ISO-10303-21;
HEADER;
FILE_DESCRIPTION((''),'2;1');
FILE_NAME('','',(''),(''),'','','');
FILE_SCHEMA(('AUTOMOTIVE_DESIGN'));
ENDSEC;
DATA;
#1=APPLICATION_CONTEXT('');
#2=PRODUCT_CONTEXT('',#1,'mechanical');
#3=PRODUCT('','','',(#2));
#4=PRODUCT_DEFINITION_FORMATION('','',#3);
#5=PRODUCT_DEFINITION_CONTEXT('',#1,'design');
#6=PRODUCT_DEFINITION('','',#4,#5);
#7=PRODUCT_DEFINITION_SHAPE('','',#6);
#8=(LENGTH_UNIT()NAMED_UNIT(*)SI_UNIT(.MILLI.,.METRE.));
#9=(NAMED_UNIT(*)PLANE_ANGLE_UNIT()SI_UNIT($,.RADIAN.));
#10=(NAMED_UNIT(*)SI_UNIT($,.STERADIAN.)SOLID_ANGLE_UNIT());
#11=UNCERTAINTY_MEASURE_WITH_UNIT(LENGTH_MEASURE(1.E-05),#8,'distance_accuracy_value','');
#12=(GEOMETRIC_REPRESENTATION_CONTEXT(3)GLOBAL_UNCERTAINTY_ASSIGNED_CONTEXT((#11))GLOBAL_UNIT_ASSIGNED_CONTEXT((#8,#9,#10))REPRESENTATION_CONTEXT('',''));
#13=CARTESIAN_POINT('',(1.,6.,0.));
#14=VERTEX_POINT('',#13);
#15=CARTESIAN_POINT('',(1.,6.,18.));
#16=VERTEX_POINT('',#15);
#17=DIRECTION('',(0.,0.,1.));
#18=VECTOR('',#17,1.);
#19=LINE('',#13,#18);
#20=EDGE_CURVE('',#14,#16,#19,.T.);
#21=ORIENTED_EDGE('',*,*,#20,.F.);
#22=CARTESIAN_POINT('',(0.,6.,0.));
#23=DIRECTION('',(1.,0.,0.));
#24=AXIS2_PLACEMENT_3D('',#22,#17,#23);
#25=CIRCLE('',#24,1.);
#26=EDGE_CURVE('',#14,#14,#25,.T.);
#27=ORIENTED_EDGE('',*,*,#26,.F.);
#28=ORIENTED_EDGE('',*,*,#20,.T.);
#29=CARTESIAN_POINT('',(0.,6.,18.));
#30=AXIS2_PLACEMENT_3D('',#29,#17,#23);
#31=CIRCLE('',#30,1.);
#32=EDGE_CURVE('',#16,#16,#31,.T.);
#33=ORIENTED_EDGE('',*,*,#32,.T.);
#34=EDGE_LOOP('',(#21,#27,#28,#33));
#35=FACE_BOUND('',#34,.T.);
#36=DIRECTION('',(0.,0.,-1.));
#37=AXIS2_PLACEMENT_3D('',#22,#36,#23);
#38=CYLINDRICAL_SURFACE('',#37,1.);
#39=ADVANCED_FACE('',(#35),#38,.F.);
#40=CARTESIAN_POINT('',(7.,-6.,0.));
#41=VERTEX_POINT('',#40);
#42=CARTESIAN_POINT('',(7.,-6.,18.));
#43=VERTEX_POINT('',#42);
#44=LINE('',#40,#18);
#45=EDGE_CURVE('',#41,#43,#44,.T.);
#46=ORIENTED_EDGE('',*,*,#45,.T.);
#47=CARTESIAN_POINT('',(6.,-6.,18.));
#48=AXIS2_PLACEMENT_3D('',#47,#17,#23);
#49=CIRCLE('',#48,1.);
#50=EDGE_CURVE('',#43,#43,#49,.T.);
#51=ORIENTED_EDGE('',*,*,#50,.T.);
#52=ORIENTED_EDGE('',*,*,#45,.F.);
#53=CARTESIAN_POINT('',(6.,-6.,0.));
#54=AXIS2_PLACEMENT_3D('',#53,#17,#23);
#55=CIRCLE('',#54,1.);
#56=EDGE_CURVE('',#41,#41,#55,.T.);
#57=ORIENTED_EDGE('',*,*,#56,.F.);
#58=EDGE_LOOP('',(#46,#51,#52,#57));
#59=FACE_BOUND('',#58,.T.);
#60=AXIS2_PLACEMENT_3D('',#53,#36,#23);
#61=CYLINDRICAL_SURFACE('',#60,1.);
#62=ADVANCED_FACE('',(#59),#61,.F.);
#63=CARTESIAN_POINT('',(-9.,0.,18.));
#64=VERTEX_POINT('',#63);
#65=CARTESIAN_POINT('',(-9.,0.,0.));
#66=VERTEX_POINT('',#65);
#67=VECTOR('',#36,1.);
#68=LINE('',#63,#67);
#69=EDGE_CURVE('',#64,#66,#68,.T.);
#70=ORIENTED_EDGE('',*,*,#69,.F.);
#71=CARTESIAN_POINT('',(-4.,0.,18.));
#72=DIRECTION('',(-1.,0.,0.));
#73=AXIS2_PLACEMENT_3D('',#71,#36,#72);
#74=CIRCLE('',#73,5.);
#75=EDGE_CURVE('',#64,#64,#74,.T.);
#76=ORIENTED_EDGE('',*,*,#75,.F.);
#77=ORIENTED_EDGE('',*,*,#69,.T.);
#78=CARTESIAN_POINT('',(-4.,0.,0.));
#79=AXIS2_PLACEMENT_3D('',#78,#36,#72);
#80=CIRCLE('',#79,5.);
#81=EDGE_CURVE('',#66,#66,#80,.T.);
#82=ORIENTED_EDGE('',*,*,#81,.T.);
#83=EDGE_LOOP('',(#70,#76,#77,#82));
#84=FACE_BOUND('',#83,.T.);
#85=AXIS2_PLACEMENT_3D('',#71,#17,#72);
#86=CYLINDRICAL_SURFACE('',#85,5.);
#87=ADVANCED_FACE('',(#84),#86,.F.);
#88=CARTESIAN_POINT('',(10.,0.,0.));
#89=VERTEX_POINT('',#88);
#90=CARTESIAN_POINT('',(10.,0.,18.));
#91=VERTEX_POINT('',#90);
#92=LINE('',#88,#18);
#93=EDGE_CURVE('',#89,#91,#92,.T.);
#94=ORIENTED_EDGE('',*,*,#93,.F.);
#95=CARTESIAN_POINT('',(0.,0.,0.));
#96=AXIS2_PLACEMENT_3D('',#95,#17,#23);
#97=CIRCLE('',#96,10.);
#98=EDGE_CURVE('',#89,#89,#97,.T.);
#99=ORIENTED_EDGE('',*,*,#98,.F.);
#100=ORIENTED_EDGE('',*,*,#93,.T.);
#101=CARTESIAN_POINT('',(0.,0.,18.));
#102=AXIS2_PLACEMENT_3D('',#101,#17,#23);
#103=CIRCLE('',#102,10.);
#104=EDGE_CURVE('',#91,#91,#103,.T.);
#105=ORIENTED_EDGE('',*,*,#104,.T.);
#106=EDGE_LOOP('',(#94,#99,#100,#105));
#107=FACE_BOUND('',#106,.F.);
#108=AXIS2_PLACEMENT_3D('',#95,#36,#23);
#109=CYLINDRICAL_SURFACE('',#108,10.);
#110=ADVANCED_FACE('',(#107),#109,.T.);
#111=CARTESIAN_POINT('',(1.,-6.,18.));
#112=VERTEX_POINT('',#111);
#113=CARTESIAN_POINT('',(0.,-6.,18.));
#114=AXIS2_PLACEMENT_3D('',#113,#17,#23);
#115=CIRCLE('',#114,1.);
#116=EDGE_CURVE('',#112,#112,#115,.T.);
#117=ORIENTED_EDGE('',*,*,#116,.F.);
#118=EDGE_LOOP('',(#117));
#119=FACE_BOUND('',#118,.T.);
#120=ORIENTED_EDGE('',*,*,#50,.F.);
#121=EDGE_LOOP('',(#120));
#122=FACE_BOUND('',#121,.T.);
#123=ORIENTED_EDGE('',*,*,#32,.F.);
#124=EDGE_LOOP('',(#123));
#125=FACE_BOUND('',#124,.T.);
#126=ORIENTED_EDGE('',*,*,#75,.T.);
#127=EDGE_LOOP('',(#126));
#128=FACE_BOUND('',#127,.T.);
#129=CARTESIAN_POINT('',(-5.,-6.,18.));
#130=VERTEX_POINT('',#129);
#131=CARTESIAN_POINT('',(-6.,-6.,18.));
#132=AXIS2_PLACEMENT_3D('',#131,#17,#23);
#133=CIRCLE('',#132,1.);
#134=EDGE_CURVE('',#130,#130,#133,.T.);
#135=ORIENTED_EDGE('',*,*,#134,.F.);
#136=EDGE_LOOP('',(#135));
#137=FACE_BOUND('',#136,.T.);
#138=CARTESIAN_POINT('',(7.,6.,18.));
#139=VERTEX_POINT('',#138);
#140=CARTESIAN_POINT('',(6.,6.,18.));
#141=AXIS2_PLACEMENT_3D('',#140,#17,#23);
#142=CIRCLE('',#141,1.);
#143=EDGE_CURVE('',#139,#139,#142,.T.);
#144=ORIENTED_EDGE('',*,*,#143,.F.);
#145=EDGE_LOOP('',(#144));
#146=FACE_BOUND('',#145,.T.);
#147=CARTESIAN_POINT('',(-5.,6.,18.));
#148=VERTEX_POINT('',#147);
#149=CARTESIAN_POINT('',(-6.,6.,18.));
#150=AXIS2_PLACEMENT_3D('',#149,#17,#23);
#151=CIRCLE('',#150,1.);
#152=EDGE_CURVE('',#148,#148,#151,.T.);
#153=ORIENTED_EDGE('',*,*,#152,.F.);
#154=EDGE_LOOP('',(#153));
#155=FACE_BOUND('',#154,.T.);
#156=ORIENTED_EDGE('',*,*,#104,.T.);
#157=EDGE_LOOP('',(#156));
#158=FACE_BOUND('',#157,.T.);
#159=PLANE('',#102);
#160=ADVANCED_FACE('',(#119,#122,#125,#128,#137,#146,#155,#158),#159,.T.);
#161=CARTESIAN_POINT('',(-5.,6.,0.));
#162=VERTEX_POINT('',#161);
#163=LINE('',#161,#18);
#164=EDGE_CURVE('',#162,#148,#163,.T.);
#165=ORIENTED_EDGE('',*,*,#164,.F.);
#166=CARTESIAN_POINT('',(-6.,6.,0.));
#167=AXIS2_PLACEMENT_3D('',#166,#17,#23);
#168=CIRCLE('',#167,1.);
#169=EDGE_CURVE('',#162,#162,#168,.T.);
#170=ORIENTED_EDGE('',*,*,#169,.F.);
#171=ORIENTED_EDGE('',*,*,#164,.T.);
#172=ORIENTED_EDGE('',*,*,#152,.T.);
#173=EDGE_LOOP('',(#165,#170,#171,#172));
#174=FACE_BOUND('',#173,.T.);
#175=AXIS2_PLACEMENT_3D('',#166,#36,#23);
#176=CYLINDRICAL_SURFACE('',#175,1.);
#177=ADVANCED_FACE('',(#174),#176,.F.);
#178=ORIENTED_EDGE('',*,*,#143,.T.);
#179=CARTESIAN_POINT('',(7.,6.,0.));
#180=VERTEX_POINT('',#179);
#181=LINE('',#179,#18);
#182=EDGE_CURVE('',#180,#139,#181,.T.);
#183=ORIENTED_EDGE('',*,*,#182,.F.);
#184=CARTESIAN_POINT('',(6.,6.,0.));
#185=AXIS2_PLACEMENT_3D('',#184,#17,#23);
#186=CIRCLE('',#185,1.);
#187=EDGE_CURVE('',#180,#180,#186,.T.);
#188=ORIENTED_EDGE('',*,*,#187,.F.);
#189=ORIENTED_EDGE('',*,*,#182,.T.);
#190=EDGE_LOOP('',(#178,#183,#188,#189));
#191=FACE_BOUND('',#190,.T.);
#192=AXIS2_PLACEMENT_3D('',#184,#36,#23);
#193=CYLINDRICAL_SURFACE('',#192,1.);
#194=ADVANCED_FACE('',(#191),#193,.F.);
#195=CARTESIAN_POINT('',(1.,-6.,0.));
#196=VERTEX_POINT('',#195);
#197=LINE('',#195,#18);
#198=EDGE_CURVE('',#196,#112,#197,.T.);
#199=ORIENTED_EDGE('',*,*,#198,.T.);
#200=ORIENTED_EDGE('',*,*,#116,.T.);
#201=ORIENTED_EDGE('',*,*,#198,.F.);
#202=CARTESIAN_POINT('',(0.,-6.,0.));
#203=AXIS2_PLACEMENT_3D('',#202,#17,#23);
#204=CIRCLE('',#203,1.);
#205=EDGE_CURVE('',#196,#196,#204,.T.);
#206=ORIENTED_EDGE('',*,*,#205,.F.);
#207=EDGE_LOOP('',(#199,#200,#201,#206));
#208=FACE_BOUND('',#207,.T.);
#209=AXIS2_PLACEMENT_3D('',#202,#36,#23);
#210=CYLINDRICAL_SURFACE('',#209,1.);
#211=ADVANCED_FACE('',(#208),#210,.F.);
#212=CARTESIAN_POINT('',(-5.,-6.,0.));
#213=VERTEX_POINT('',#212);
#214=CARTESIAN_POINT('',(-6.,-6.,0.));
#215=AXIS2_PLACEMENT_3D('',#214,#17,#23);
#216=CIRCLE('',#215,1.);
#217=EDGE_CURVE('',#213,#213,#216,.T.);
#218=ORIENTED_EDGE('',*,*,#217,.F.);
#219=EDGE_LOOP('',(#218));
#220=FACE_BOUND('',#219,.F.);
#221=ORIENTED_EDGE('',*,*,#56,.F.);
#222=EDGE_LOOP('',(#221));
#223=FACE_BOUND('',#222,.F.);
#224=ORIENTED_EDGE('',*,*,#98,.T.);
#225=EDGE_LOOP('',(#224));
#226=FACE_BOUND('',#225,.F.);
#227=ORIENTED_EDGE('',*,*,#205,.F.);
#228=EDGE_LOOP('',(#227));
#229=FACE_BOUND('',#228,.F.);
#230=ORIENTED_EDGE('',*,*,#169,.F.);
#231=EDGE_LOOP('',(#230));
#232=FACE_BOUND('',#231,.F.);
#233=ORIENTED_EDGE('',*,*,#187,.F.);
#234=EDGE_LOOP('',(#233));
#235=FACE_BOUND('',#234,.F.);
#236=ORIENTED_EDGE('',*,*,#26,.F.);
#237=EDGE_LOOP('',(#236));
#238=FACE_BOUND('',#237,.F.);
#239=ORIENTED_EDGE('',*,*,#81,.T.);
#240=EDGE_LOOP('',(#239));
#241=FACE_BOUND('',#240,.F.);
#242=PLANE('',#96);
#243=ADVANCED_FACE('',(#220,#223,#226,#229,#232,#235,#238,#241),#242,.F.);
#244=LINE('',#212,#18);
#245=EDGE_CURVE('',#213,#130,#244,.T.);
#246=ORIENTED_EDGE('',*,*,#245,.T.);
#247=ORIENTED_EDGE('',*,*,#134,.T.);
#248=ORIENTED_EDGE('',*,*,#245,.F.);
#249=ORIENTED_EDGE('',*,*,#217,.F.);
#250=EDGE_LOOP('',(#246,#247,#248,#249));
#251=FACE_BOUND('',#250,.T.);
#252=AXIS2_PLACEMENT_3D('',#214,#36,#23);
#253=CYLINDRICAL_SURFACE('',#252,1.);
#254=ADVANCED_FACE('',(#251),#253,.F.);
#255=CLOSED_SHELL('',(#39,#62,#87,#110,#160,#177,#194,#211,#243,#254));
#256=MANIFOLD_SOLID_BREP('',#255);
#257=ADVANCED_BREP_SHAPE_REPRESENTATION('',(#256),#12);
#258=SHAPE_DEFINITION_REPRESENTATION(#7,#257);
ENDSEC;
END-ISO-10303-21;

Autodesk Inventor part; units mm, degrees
ref_plane "YZ Plane" through (0, 0, 0) normal (1, 0, 0) x (0, 1, 0)
ref_plane "XZ Plane" through (0, 0, 0) normal (0, 1, 0) x (-1, 0, 0)
ref_plane "XY Plane" through (0, 0, 0) normal (0, 0, 1) x (1, 0, 0)
sketch "Sketch1" plane through (0, 0, 0) normal (0, 0, 1) x (1, 0, 0)
  circle A0 centre (0, 0) radius 10
  circle A1 centre (-6, 6) radius 1
  circle A2 centre (0, 6) radius 1
  circle A3 centre (6, 6) radius 1
  circle A4 centre (6, -6) radius 1
  circle A5 centre (0, -6) radius 1
  circle A6 centre (-6, -6) radius 1
  dimension "d0" = 20
  dimension "d2" = 2
  dimension "d3" = 12
  dimension "d4" = 6
  dimension "d5" = 12
  dimension "d6" = 6
  dimension "d7" = 6
  dimension "d8" = 2
extrude "Extrusion1" add sketch "Sketch1" along normal blind 18
sketch "Sketch2" plane through (0, 0, 18) normal (0, 0, -1) x (-1, 0, 0)
  circle A0 centre (4, 0) radius 5
  circle A1 centre (0, 6) radius 1 projected
  point P0 (0, 0)
  dimension "d11" = 10
  dimension "d12" = 4
extrude "Extrusion2" cut sketch "Sketch2" along normal blind 18 contours A0
equation "\"d4\" = 0.5 * d3"
equation "\"d6\" = 0.5 * d5"
properties part number "11"
